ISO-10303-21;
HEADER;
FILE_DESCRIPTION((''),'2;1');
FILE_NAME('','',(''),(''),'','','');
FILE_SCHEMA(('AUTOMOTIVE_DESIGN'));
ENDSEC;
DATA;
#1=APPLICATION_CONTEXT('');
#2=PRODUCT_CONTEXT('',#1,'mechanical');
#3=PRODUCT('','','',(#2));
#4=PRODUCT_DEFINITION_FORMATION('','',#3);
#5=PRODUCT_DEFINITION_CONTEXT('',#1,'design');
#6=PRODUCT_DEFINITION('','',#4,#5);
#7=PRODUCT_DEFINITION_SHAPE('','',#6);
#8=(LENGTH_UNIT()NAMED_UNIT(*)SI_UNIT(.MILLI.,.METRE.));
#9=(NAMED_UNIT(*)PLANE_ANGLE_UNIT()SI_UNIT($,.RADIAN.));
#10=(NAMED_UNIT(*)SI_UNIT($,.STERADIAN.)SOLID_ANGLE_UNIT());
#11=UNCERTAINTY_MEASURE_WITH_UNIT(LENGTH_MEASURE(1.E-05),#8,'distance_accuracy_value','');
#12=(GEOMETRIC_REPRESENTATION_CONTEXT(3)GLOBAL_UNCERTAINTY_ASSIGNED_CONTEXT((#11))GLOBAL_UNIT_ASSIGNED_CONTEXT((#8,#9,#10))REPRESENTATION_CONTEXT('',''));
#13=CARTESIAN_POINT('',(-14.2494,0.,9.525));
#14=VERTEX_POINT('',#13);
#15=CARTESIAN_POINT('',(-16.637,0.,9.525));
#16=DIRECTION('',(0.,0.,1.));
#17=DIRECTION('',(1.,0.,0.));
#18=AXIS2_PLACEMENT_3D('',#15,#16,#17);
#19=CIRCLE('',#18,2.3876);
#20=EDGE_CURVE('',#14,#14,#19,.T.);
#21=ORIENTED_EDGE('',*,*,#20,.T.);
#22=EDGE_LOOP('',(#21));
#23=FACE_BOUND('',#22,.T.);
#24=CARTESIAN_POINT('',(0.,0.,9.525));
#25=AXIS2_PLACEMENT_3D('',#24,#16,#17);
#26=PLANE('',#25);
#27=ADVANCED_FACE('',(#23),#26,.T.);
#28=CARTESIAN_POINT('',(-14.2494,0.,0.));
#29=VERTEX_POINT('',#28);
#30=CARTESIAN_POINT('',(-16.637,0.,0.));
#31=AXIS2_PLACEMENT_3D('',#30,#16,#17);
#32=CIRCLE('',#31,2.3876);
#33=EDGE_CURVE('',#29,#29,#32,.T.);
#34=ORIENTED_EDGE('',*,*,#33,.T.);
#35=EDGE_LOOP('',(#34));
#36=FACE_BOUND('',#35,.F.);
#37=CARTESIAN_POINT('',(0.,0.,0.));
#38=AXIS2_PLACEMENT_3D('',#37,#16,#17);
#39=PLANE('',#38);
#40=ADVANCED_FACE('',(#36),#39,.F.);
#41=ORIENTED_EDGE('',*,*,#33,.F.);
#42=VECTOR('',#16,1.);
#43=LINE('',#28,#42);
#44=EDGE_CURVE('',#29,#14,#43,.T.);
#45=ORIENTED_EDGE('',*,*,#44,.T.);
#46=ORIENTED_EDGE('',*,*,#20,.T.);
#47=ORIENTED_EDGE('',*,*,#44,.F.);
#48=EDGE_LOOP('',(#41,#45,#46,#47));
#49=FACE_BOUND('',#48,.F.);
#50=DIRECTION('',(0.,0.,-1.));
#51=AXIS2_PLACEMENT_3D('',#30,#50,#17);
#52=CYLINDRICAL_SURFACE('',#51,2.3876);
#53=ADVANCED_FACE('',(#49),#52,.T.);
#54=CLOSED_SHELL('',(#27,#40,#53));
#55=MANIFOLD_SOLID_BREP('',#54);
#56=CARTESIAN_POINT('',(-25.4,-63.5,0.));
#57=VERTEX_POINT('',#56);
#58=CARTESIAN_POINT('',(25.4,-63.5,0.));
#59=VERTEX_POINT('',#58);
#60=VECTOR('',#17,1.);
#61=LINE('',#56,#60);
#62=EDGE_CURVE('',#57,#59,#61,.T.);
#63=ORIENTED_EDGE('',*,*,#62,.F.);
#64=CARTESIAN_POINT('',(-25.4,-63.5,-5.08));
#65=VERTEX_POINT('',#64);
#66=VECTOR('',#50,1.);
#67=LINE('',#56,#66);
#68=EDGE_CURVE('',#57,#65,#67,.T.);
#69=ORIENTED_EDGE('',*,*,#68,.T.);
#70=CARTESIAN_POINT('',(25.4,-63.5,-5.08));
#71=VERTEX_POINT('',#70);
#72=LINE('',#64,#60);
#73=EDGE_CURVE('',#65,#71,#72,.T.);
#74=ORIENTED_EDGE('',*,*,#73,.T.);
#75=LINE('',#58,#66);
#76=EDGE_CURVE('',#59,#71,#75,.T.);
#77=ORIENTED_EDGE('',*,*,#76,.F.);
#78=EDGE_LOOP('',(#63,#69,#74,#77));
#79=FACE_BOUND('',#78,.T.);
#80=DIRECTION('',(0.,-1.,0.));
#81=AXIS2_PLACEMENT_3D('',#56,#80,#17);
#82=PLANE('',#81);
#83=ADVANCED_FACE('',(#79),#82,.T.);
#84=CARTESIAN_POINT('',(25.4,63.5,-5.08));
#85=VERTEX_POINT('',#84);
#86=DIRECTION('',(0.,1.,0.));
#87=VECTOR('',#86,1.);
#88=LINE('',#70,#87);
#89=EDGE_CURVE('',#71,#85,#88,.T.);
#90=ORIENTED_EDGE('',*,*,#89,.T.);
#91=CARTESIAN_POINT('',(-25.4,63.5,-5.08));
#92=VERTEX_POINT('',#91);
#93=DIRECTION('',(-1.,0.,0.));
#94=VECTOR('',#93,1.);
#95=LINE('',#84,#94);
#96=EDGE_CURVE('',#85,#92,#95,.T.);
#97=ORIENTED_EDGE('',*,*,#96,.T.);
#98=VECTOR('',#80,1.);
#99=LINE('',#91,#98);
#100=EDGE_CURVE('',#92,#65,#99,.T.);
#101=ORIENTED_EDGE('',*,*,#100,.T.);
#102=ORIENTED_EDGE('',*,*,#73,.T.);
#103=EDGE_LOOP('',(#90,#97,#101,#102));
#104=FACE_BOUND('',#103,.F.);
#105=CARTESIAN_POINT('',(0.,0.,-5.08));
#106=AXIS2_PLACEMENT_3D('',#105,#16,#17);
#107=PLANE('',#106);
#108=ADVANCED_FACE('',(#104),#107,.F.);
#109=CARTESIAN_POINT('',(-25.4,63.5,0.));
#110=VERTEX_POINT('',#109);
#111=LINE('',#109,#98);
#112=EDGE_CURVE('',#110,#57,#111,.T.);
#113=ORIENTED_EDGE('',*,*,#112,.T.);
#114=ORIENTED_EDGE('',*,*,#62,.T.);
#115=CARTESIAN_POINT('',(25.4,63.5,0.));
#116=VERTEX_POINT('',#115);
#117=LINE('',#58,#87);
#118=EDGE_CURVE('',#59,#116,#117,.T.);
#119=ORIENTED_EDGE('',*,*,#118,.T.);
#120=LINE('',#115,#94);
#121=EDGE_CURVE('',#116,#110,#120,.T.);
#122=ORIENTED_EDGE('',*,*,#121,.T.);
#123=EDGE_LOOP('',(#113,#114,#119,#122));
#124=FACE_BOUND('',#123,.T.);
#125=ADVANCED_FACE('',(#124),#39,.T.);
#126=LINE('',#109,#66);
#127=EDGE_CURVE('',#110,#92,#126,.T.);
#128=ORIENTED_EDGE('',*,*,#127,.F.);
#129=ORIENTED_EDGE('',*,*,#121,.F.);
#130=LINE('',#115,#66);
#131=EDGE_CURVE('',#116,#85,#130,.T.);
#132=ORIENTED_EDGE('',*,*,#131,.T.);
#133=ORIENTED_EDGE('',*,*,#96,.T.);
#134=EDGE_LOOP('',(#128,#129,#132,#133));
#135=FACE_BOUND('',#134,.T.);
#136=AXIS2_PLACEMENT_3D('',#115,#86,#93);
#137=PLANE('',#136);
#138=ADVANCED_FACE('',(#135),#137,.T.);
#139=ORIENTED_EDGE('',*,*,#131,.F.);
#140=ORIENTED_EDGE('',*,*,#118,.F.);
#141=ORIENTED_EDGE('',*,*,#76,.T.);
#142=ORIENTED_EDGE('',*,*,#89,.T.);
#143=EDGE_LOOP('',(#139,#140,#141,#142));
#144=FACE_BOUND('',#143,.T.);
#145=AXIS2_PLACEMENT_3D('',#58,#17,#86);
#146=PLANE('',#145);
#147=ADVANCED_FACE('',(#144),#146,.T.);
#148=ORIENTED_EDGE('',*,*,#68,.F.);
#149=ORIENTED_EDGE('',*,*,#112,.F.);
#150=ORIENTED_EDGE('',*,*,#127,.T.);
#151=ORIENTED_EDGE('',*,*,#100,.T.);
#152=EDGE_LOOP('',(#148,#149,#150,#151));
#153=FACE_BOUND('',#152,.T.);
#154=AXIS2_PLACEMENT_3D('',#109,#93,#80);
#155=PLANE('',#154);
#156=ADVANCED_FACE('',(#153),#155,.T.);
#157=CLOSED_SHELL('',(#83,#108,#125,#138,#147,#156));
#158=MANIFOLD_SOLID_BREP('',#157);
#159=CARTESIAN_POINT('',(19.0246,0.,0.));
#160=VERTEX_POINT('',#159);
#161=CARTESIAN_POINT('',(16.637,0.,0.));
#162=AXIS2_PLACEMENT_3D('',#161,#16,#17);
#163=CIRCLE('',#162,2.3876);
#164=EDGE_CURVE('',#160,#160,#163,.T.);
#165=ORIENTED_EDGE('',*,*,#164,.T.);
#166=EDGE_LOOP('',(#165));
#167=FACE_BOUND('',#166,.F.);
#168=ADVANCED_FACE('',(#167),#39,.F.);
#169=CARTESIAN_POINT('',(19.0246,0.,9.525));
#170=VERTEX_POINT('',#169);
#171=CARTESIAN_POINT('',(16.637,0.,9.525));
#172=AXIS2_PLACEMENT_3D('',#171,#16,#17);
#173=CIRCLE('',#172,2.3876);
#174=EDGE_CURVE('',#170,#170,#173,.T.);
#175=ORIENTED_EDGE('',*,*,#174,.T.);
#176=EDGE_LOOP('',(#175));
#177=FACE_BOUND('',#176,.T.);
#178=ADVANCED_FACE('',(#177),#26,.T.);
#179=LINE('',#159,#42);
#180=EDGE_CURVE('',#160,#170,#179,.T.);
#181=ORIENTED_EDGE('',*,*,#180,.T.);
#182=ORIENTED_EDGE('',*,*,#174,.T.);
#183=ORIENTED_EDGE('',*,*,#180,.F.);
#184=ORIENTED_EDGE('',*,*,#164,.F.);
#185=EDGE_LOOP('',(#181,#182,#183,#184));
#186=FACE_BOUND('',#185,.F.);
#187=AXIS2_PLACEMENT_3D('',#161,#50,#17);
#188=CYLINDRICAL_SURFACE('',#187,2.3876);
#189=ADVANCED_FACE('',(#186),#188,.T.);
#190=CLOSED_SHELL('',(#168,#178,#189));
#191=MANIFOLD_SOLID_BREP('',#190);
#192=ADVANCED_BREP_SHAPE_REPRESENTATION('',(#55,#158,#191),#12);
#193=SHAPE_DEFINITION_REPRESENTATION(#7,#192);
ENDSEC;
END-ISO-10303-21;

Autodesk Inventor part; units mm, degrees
ref_plane "YZ Plane" through (0, 0, 0) normal (1, 0, 0) x (0, 1, 0)
ref_plane "XZ Plane" through (0, 0, 0) normal (0, 1, 0) x (-1, 0, 0)
ref_plane "XY Plane" through (0, 0, 0) normal (0, 0, 1) x (1, 0, 0)
sketch "Sketch1" plane through (0, 0, 0) normal (0, 0, 1) x (1, 0, 0)
  line L0 (-25.4, -63.5) -> (25.4, -63.5)
  line L1 (25.4, -63.5) -> (25.4, 63.5)
  line L2 (25.4, 63.5) -> (-25.4, 63.5)
  line L3 (-25.4, 63.5) -> (-25.4, -63.5)
  line L4 (-25.4, -63.5) -> (25.4, 63.5) construction
  line L5 (25.4, -63.5) -> (-25.4, 63.5) construction
  point P0 (0, 0)
  dimension "d0" = 50.8
  dimension "d2" = 127
extrude "Extrusion1" add sketch "Sketch1" against normal blind 5.08
sketch "Sketch2" plane through (0, 0, 0) normal (0, 0, 1) x (1, 0, 0)
  circle A0 centre (16.637, 0) radius 2.3876
  circle A1 centre (-16.637, 0) radius 2.3876
  point P0 (0, 0)
  dimension "d5" = 4.7752
  dimension "d8" = 33.274
  dimension "d9" = 16.637
extrude "Extrusion2" add sketch "Sketch2" along normal blind 9.525 separate body
thread "Thread1" size "10-24 UNC" class "2A" standard "ANSI Unified Screw Threads" full length
thread "Thread2" size "10-24 UNC" class "2A" standard "ANSI Unified Screw Threads" full length
equation "\"d9\" = 0.5 * d8"
properties part number "BasePlate"
